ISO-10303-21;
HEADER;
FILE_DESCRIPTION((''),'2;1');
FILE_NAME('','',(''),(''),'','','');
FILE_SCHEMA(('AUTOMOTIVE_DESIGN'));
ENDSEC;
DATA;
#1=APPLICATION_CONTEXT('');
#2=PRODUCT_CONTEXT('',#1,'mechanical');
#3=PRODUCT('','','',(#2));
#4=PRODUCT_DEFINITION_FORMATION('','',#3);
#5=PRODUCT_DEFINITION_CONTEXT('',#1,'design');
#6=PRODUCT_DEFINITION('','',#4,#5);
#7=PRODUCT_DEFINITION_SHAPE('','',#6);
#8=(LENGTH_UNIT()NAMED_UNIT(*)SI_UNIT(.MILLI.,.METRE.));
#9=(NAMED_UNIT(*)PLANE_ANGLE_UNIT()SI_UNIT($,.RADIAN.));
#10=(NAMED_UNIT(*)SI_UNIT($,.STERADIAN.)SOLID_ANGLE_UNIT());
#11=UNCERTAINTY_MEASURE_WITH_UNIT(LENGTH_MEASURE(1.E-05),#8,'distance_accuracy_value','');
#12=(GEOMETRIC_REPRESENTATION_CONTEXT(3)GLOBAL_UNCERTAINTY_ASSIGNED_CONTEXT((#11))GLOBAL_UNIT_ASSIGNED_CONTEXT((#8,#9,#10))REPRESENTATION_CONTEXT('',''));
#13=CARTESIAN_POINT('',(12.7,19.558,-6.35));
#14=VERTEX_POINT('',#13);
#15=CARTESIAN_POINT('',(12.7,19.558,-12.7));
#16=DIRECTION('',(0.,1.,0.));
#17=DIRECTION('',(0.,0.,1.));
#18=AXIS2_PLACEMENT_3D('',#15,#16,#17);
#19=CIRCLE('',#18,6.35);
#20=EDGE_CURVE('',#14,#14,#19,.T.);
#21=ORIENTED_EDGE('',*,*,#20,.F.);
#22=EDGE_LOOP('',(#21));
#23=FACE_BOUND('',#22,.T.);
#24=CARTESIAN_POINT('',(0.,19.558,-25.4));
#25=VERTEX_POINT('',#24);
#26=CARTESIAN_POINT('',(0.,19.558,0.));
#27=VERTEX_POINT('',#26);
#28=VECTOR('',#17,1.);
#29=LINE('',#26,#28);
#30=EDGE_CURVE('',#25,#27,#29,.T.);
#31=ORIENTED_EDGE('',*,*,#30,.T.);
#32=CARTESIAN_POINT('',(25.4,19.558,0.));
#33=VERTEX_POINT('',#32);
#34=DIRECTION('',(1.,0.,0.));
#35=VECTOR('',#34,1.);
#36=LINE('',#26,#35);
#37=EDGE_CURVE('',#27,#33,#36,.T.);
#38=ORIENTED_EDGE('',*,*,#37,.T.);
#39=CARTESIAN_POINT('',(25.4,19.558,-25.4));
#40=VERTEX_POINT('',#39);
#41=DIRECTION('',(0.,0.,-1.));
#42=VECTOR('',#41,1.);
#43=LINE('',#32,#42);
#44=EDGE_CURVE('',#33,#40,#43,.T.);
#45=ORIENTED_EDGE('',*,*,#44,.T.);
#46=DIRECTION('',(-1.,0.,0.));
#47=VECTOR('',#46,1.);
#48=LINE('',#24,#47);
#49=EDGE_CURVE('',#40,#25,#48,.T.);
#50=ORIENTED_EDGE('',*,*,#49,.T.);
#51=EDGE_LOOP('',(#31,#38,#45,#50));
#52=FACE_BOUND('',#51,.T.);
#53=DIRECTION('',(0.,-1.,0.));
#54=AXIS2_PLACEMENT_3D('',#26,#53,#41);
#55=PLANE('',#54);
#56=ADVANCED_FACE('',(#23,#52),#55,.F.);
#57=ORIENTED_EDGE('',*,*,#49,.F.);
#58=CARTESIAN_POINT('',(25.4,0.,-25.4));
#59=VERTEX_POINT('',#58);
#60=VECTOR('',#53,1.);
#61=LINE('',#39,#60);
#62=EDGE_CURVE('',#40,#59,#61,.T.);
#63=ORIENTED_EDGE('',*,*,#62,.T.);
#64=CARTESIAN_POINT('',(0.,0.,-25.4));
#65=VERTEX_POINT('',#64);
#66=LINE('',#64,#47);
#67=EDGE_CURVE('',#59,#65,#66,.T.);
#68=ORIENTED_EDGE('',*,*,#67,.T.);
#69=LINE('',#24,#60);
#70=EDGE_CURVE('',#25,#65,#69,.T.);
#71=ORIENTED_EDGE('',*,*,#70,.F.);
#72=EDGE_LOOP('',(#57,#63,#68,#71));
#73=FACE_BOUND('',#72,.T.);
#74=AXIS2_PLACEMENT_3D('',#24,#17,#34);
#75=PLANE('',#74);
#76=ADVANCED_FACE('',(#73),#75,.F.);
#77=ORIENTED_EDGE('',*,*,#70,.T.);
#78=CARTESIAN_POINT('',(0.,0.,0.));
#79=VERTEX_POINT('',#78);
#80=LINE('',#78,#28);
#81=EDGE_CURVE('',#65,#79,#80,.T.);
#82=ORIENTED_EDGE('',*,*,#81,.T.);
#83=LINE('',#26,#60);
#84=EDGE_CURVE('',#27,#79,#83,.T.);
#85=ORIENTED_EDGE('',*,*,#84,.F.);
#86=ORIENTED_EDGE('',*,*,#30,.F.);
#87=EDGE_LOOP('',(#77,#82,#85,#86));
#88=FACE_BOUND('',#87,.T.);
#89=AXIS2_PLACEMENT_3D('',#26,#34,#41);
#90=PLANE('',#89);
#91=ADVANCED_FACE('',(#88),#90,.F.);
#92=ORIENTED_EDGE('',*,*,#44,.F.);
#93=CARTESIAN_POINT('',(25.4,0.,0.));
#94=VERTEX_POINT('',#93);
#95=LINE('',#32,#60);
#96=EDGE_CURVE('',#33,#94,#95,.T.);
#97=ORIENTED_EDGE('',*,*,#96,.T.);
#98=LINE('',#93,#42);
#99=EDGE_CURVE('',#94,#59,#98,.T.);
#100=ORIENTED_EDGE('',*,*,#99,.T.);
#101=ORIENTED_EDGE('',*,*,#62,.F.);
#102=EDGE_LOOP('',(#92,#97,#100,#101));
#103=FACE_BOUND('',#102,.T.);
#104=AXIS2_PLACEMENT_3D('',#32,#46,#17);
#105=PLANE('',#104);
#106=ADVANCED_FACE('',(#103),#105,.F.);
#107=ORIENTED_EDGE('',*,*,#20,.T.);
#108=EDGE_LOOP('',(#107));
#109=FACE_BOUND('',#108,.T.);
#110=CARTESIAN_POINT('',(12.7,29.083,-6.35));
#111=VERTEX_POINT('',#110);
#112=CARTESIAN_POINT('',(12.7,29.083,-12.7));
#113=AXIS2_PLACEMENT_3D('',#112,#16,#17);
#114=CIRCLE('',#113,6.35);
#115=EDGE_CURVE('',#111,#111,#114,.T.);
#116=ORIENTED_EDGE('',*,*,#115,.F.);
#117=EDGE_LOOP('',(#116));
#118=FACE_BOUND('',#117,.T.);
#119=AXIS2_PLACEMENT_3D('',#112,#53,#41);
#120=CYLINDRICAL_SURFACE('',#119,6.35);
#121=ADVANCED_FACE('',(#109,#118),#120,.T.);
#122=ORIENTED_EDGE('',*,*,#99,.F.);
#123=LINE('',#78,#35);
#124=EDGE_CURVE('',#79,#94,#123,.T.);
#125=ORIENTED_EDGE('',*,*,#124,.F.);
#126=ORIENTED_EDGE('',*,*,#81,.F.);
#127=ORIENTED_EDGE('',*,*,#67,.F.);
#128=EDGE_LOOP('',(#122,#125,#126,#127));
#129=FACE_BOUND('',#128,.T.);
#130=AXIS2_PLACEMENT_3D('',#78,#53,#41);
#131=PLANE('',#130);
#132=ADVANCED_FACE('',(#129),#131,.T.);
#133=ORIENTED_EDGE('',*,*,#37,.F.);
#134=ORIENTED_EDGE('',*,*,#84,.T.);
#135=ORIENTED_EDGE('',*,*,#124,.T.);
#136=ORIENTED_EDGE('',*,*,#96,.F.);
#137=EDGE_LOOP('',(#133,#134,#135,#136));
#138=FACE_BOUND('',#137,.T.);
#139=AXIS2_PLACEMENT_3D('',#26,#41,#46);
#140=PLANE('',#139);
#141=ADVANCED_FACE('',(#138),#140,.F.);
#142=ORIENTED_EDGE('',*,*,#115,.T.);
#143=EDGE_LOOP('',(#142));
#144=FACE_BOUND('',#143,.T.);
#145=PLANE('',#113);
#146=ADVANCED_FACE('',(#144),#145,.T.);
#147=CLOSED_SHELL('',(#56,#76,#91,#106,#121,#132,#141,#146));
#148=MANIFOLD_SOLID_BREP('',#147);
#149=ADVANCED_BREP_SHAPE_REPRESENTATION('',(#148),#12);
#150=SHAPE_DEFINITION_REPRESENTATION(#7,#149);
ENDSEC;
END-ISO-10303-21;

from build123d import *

# Parameters (mm, degrees)
SKETCH1_W           = 25.4
SKETCH1_H           = 25.4
BOSS_EXTRUDE1_DEPTH = 19.558
SKETCH2_R           = 6.35
BOSS_EXTRUDE2_DEPTH = 9.525


with BuildPart() as part:
    # Sketch1 → Boss-Extrude1 (new body)
    with BuildSketch(Plane(origin=(0, 0, 0), x_dir=(1, 0, 0), z_dir=(0, 1, 0))):
        with Locations((12.7, 12.7)):
            Rectangle(SKETCH1_W, SKETCH1_H)
    extrude(amount=BOSS_EXTRUDE1_DEPTH)

    # Sketch2 → Boss-Extrude2 (add)
    with BuildSketch(Plane(origin=(0, 19.558, 0), x_dir=(1, 0, 0), z_dir=(0, 1, 0))):
        with Locations((12.7, 12.7)):
            Circle(SKETCH2_R)
    extrude(amount=BOSS_EXTRUDE2_DEPTH)


solid = part.part
